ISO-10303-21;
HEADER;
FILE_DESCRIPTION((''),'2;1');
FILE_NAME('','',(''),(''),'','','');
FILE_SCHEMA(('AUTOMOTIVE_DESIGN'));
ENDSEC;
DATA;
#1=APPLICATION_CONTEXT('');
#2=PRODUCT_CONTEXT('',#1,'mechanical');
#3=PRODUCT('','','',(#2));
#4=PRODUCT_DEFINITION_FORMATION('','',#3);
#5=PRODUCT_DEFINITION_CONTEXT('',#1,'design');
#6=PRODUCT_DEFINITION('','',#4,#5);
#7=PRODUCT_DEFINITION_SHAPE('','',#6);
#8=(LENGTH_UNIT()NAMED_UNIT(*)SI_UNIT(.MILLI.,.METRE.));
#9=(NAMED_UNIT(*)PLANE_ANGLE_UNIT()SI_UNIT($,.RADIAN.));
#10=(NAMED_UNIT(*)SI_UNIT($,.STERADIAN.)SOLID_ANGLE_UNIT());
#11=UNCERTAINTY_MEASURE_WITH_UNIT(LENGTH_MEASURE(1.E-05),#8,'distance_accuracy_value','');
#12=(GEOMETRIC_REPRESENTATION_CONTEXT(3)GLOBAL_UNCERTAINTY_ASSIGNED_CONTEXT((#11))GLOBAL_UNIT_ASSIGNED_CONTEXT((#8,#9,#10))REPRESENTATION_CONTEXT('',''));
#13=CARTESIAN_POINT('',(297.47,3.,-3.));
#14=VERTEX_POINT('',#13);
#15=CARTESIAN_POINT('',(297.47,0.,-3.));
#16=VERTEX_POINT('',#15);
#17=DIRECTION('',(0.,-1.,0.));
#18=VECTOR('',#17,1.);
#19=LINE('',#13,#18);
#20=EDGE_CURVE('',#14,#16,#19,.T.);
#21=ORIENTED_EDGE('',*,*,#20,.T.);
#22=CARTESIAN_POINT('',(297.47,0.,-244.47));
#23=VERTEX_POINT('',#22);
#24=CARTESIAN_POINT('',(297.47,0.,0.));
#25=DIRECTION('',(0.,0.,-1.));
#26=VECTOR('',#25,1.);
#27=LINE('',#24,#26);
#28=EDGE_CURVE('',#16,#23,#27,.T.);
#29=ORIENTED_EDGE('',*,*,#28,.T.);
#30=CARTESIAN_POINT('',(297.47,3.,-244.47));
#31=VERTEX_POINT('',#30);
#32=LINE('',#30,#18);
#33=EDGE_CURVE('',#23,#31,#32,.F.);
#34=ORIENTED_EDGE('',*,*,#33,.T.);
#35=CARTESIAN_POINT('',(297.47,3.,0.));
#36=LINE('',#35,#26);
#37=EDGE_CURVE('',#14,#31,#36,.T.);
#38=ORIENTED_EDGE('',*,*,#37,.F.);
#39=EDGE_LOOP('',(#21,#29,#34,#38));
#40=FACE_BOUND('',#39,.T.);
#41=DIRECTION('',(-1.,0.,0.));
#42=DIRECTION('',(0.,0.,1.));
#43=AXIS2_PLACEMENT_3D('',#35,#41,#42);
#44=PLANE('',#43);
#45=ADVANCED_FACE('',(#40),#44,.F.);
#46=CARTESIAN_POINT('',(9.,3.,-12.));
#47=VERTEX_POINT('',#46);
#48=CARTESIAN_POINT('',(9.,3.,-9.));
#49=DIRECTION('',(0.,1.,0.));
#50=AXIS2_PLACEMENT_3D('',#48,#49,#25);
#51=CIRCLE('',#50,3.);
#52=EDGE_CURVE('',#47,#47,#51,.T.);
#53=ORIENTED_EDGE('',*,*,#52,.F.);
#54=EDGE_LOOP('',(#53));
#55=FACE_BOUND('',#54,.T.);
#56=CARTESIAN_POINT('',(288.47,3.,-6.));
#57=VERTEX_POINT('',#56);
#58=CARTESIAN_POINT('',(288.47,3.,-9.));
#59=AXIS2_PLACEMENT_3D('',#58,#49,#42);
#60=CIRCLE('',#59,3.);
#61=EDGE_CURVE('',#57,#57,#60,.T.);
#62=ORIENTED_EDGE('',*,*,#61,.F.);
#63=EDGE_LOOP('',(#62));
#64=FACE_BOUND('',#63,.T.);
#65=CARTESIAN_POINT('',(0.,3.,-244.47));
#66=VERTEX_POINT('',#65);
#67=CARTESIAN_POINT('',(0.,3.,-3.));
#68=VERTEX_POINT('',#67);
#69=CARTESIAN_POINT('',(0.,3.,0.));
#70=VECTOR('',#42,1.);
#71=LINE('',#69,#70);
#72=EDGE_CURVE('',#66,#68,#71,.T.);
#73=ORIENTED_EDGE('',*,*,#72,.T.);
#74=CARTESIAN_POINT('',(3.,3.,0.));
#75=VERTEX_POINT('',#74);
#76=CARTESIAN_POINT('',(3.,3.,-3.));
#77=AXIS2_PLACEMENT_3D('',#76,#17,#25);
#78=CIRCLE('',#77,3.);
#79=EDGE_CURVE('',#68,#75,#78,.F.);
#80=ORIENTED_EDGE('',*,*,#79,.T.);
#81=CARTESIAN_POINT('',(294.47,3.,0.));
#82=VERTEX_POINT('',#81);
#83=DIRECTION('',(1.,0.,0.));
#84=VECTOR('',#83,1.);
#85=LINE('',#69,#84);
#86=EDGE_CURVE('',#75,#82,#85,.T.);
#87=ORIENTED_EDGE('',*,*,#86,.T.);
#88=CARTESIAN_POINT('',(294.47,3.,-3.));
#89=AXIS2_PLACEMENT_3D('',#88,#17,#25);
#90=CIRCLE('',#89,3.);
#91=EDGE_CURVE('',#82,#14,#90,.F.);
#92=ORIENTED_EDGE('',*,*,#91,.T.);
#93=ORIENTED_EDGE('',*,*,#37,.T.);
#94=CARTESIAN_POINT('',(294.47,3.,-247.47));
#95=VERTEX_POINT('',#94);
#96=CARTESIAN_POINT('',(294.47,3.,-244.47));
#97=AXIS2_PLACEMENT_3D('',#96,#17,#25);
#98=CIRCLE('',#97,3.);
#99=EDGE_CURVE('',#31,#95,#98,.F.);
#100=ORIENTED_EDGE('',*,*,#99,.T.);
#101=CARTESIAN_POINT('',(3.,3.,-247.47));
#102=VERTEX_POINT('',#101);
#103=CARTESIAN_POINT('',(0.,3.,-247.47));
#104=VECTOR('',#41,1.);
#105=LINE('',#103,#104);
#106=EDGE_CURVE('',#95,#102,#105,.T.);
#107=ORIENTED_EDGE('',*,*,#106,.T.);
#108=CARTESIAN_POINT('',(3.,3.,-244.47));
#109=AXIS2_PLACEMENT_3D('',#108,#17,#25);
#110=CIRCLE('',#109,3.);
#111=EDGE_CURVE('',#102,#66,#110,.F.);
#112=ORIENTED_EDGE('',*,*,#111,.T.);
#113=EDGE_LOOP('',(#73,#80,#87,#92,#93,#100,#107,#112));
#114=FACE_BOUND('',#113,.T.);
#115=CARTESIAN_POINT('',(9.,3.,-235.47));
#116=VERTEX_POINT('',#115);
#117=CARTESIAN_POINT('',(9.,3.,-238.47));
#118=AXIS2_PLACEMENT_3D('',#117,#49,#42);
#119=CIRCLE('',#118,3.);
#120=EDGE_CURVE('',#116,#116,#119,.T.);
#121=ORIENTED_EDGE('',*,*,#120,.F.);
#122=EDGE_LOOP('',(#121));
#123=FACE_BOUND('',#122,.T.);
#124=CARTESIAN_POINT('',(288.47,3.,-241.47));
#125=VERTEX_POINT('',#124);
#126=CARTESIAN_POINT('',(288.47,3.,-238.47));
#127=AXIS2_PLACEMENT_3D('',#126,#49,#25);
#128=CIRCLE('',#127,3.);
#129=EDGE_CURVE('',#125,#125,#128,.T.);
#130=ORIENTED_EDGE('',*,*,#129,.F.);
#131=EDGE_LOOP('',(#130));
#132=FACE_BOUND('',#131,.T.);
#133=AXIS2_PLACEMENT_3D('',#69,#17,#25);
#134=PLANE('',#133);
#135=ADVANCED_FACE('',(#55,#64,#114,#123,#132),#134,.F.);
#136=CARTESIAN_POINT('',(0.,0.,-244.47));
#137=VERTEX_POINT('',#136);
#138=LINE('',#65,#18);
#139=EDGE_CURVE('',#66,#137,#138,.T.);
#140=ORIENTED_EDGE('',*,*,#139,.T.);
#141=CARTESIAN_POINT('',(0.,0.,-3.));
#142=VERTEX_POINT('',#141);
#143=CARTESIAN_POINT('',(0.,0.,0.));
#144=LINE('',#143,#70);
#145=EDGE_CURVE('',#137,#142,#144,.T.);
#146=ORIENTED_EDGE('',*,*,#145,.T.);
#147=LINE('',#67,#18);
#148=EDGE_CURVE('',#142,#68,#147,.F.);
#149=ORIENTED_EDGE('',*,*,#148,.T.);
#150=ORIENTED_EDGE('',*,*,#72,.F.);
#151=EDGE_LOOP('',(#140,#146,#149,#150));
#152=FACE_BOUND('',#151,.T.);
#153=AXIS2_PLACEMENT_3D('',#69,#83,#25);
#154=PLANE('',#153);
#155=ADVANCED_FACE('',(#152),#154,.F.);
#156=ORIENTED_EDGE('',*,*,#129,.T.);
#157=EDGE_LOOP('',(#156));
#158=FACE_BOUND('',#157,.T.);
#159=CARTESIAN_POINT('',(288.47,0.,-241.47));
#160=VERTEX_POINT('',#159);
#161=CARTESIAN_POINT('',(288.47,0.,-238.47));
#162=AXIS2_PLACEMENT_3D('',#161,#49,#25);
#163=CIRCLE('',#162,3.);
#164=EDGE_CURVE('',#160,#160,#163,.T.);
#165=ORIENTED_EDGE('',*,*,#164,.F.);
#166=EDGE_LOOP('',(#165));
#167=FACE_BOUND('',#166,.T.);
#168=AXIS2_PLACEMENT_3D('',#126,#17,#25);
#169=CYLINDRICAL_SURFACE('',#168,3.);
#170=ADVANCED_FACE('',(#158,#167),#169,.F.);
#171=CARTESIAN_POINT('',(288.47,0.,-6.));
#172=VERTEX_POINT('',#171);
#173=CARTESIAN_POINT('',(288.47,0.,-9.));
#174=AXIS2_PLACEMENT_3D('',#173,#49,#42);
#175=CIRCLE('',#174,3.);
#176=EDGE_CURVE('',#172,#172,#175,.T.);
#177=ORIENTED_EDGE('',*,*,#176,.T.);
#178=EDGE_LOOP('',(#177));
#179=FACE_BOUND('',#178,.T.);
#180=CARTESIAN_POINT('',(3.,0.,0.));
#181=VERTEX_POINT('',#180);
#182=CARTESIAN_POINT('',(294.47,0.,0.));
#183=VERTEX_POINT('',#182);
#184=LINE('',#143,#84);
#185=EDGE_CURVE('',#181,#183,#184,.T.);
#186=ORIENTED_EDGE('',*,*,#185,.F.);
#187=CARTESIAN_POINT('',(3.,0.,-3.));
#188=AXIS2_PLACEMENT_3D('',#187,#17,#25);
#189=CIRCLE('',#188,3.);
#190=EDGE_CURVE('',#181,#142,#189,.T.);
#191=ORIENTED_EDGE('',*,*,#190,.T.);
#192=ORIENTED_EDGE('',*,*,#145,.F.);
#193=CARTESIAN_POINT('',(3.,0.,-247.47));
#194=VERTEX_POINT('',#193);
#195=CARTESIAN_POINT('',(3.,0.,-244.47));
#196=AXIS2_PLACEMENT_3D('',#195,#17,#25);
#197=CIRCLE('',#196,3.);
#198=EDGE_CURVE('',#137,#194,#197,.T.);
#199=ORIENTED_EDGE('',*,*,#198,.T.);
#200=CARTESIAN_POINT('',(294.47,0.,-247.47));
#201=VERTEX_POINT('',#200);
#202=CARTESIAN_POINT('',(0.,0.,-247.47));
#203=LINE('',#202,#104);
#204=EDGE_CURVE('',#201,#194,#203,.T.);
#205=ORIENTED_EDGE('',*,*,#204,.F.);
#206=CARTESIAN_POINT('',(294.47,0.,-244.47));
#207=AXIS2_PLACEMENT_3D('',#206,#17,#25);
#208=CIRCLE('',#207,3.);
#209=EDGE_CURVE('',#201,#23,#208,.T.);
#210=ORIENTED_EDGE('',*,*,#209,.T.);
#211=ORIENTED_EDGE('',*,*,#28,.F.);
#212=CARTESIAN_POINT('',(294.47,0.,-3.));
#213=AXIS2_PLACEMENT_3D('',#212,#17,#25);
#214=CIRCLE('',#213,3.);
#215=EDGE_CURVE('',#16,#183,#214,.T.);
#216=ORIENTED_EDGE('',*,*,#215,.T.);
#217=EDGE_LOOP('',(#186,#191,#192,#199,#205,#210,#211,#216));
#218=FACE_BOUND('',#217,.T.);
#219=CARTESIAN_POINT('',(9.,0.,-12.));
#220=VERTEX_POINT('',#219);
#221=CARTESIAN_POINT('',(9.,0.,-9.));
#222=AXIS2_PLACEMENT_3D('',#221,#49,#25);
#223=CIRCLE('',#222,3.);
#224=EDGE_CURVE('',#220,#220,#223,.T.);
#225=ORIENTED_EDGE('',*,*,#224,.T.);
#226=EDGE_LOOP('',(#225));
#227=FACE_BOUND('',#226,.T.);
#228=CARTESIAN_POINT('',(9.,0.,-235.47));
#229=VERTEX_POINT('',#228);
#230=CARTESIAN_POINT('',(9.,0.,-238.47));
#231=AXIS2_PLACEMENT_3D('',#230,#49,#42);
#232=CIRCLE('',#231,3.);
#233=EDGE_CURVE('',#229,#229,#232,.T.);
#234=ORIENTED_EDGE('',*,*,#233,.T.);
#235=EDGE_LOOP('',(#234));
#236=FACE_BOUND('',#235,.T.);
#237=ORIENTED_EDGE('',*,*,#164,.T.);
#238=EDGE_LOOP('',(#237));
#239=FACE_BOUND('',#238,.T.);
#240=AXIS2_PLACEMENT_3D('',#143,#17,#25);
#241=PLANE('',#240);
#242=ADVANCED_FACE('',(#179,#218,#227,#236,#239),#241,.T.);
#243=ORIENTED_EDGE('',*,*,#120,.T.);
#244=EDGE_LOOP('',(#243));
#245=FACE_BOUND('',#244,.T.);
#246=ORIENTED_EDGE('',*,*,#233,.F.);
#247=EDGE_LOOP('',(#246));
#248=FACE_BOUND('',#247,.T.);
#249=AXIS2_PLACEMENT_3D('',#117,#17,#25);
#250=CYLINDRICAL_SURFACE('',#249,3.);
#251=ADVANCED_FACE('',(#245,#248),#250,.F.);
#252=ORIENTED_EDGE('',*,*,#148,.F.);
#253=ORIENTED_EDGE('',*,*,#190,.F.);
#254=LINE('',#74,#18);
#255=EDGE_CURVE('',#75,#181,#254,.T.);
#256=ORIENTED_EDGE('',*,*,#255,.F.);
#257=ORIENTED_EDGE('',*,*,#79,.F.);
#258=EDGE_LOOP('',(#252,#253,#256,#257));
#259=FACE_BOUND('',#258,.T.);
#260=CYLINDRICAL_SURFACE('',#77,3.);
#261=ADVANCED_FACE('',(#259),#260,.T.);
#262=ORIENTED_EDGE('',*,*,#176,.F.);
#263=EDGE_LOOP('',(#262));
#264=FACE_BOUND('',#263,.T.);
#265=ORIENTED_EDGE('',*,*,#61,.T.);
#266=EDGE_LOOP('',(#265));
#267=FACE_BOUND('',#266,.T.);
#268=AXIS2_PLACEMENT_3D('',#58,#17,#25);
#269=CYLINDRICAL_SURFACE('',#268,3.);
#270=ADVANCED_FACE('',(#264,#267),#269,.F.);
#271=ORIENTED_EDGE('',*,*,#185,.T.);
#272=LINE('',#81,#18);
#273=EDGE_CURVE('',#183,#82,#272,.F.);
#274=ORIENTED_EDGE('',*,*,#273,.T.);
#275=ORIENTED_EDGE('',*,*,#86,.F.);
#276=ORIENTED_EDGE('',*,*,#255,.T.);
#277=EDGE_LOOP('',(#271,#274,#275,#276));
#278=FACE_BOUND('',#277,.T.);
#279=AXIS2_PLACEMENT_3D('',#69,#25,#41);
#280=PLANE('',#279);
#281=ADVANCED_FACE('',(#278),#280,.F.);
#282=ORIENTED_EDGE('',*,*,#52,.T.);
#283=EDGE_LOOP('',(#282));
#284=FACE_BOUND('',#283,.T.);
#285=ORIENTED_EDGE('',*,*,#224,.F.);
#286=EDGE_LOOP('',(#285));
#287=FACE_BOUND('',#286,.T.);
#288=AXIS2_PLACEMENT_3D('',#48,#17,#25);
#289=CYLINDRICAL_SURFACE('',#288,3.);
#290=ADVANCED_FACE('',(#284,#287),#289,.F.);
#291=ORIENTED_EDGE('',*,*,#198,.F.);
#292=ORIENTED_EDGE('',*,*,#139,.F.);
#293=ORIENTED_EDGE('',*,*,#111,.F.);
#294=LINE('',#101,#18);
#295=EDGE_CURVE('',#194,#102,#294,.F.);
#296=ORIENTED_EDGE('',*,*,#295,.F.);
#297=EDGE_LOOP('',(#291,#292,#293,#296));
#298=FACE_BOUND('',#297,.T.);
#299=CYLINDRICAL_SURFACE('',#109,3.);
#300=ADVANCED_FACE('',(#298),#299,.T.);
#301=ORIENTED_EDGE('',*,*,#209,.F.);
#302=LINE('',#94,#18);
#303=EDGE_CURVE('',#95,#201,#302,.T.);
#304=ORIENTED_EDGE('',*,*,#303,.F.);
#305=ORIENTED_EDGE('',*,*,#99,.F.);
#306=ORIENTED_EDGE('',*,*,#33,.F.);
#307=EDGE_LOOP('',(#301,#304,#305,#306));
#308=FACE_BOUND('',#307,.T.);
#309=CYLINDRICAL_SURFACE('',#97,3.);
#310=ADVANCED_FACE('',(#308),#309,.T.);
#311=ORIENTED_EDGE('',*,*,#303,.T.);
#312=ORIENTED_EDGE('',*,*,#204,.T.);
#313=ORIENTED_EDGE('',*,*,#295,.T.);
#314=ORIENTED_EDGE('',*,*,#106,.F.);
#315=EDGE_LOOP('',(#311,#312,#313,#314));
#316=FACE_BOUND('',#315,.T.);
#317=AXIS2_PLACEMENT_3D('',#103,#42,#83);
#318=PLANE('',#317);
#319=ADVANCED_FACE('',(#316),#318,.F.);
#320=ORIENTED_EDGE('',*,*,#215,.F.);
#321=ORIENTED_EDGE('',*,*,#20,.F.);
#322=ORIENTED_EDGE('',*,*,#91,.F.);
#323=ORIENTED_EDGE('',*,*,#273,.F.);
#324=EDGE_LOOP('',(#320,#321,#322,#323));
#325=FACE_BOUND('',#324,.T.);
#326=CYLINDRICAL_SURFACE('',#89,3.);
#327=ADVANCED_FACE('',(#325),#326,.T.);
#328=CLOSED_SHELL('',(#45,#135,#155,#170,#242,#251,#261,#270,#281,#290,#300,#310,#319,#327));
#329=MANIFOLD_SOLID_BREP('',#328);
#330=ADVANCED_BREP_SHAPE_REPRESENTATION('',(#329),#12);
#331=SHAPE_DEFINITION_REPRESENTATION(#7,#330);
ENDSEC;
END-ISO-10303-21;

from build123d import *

# Parameters (mm, degrees)
SKETCH1_W           = 297.47
SKETCH1_H           = 247.47
SKETCH1_R           = 3
BOSS_EXTRUDE1_DEPTH = 3
FILLET1_R           = 3


with BuildPart() as part:
    # Sketch1 → Boss-Extrude1 (new body)
    with BuildSketch(Plane(origin=(0, 0, 0), x_dir=(1, 0, 0), z_dir=(0, 1, 0))):
        with Locations((148.735, 123.735)):
            Rectangle(SKETCH1_W, SKETCH1_H)
        with Locations(Location((9, 238.47, 0), (0, 0, 270))):
            Circle(SKETCH1_R, mode=Mode.SUBTRACT)
        with Locations(Location((288.47, 238.47, 0), (0, 0, 90))):
            Circle(SKETCH1_R, mode=Mode.SUBTRACT)
        with Locations(Location((288.47, 9, 0), (0, 0, 270))):
            Circle(SKETCH1_R, mode=Mode.SUBTRACT)
        with Locations(Location((9, 9, 0), (0, 0, 90))):
            Circle(SKETCH1_R, mode=Mode.SUBTRACT)
    extrude(amount=BOSS_EXTRUDE1_DEPTH)

    # Fillet1
    fillet1_edges = [part.edges().sort_by_distance(p)[0] for p in [
        (0, 1.5, -247.47),
        (297.47, 1.5, -247.47),
        (297.47, 1.5, 0),
        (0, 1.5, 0),
    ]]
    fillet(fillet1_edges, radius=FILLET1_R)


solid = part.part
